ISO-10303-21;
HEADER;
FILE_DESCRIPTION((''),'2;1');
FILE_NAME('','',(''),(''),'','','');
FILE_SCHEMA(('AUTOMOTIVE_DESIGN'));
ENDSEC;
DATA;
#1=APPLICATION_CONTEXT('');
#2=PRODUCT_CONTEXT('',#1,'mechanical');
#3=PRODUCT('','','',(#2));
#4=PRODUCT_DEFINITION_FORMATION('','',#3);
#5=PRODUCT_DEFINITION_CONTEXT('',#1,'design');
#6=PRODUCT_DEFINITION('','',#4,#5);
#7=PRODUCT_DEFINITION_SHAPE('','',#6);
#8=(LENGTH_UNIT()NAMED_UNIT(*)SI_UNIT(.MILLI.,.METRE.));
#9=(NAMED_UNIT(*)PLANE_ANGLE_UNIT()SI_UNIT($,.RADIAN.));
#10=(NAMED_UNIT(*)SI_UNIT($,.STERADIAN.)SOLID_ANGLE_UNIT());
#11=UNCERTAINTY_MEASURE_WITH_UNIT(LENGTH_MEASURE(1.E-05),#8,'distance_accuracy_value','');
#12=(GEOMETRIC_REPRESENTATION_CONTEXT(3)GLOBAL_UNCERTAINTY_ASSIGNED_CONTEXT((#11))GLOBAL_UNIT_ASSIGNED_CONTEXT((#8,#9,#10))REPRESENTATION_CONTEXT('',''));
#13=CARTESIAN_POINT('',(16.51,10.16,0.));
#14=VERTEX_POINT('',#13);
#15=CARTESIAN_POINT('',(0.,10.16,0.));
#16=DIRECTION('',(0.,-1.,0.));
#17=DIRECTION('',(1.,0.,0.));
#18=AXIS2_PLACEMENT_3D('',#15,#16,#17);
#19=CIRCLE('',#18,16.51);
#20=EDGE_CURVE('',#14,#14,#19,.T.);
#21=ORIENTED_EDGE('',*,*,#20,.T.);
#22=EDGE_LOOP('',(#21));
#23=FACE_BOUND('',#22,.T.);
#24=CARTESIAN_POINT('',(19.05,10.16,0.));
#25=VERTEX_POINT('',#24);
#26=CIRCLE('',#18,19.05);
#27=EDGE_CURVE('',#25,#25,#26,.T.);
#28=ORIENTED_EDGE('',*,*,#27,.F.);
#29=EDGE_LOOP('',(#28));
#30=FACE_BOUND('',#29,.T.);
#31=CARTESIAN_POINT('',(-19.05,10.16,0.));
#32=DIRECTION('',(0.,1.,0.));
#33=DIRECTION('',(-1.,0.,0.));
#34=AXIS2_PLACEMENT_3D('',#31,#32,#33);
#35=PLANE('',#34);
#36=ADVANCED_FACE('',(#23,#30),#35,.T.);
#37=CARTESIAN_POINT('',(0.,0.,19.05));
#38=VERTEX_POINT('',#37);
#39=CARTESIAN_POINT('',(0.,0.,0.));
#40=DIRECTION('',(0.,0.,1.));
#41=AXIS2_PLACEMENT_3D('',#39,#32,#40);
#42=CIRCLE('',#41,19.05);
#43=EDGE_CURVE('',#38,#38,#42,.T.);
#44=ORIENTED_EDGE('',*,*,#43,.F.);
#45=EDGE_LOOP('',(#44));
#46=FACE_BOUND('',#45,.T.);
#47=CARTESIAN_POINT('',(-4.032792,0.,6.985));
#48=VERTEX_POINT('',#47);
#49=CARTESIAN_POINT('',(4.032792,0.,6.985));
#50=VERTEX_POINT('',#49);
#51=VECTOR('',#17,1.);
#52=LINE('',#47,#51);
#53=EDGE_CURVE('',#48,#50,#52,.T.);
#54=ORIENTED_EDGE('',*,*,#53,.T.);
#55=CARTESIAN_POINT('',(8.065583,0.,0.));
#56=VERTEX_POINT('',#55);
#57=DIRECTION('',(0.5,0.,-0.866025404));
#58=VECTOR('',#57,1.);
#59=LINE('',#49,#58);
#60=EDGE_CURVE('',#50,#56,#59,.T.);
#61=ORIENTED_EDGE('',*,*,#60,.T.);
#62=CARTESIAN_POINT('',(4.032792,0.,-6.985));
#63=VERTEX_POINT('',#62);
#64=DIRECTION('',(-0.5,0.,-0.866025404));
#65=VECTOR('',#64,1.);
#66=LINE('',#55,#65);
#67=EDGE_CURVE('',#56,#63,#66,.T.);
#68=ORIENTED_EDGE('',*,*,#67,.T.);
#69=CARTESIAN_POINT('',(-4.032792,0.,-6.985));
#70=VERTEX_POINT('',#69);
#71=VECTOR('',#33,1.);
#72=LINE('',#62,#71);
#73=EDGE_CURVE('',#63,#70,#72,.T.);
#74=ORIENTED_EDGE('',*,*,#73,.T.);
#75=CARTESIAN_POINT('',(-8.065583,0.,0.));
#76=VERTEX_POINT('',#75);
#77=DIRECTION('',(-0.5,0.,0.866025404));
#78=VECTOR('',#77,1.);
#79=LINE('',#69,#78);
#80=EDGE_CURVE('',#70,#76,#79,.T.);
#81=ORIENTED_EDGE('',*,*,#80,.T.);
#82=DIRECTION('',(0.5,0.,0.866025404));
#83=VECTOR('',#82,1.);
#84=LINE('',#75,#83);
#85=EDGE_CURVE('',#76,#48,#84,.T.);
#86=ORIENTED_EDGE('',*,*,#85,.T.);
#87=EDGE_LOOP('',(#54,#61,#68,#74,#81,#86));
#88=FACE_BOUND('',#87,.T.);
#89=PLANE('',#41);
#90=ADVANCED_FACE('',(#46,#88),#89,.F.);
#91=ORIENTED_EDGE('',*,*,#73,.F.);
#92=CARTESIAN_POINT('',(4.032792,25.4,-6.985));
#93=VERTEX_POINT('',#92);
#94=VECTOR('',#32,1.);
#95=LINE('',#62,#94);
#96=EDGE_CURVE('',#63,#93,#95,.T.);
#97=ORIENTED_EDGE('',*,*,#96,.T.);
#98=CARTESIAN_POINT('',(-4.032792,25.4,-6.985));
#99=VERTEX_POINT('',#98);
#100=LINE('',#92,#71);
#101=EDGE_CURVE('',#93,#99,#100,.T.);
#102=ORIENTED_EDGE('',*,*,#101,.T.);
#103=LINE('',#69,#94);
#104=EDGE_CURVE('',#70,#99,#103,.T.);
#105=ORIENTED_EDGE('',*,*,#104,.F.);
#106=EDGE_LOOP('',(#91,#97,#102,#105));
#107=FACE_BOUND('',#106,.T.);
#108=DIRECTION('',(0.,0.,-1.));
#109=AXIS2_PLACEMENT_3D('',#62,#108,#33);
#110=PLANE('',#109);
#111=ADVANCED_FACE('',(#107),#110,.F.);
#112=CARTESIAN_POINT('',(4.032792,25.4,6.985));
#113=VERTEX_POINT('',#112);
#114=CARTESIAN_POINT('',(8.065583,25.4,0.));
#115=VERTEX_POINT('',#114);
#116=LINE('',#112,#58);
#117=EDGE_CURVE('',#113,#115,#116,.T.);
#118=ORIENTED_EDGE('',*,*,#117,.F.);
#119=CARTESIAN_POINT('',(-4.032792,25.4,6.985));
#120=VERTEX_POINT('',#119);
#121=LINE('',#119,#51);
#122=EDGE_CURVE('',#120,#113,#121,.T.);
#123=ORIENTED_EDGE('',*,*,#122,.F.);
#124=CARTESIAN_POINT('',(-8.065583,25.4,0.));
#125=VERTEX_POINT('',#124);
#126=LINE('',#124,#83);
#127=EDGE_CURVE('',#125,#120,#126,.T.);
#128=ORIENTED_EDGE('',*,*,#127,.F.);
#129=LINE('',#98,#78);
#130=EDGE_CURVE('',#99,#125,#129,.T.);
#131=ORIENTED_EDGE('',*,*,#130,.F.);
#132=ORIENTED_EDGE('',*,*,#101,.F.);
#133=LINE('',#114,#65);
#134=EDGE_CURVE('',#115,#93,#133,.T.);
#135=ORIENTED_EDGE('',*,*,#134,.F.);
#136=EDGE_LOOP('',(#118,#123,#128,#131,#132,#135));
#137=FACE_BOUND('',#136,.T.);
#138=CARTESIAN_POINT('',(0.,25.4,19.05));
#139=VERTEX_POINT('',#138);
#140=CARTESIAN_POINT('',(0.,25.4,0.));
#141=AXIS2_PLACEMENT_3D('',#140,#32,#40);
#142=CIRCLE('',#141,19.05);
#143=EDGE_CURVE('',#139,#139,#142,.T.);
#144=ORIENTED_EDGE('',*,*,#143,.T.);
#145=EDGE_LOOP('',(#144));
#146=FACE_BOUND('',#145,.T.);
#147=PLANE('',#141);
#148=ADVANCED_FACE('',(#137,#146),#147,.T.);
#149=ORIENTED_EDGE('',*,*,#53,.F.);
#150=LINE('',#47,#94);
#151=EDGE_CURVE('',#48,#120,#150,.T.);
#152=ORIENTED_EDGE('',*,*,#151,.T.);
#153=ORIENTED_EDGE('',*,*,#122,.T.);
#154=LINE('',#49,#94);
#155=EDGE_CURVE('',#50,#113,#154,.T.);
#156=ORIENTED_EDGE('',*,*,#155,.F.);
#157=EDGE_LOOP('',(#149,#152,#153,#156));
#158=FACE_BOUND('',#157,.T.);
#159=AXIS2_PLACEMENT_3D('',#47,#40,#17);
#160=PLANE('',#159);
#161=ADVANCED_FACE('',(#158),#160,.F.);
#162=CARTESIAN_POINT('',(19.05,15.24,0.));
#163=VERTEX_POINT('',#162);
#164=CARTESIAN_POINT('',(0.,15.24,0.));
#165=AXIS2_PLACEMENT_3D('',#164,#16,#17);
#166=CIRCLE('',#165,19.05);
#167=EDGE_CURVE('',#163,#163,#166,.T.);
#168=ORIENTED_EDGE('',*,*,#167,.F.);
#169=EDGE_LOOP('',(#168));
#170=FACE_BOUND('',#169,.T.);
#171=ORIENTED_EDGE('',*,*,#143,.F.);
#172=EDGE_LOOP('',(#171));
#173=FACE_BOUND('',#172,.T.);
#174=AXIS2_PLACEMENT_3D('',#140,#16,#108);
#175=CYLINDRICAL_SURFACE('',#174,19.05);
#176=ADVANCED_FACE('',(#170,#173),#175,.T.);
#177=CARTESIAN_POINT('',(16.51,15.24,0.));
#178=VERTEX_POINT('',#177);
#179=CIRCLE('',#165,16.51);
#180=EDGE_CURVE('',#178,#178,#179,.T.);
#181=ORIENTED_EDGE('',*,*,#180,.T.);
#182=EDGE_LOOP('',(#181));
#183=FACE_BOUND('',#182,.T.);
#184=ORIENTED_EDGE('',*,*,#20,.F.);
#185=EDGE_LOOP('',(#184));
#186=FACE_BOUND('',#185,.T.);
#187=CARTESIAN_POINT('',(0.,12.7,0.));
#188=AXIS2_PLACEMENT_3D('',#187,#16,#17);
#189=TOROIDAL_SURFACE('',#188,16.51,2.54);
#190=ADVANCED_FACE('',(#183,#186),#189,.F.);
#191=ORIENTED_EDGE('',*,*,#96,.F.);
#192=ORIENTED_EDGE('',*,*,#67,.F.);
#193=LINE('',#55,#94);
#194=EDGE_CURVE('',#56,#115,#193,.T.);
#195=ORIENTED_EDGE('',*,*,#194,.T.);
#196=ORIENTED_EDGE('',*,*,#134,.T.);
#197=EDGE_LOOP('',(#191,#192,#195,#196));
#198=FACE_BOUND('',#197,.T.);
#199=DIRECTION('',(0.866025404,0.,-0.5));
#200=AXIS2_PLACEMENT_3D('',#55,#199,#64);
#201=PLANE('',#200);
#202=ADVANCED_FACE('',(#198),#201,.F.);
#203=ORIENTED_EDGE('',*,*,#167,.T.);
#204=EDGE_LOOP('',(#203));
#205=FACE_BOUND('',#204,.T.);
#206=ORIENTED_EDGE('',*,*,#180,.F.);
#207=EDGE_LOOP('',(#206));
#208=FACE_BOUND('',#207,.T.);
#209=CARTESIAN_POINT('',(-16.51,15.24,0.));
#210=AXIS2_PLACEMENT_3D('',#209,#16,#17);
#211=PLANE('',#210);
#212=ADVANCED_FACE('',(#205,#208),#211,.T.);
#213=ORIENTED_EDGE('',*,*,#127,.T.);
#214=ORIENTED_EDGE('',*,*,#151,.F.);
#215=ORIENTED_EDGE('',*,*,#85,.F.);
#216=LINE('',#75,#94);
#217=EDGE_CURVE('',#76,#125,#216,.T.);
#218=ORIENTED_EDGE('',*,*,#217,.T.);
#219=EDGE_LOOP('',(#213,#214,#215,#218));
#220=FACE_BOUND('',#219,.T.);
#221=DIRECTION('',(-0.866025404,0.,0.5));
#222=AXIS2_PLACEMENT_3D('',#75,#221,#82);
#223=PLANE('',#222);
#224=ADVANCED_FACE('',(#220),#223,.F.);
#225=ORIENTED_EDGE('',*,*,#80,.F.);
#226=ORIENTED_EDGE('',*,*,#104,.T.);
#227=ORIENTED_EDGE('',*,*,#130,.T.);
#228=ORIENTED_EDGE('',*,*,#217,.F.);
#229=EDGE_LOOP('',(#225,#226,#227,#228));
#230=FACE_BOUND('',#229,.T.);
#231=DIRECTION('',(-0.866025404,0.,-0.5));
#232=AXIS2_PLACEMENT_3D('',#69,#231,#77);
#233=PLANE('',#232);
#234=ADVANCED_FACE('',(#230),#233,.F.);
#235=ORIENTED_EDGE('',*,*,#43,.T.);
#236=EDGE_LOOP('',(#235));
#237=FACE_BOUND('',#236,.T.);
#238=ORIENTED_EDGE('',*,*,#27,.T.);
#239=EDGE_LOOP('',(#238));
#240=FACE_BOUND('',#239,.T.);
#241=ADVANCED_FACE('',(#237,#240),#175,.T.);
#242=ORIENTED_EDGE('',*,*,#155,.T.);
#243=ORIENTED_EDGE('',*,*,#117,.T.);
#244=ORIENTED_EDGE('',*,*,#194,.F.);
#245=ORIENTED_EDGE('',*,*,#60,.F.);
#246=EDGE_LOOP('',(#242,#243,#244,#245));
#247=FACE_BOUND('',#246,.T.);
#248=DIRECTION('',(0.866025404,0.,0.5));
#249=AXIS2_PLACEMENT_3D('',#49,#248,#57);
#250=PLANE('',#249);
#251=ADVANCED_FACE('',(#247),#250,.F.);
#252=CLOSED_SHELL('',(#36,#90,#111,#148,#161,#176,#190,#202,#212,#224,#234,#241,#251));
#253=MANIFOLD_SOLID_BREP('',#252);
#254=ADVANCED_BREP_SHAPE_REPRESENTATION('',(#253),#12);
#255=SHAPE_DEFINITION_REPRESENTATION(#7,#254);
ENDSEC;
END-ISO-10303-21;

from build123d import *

# Parameters (mm, degrees)
SKETCH2_R           = 19.05
BOSS_EXTRUDE1_DEPTH = 25.4
CUT_EXTRUDE1_DEPTH  = 38.026544532


with BuildPart() as part:
    # Sketch2 → Boss-Extrude1 (new body)
    with BuildSketch(Plane(origin=(0, 0, 0), x_dir=(1, 0, 0), z_dir=(0, 1, 0))):
        with Locations(Location((0, 0, 0), (0, 0, 270))):
            Circle(SKETCH2_R)
    extrude(amount=BOSS_EXTRUDE1_DEPTH)

    # Sketch4 → Cut-Revolve2 (revolve, cut)
    with BuildSketch(Plane.XY, mode=Mode.PRIVATE) as cut_revolve2_sk:
        with BuildLine():
            Line((-16.51, 15.24), (-19.05, 15.24))
            Line((-19.05, 15.24), (-19.05, 10.16))
            Line((-19.05, 10.16), (-16.51, 10.16))
            ThreePointArc((-16.51, 10.16), (-13.97, 12.7), (-16.51, 15.24))
        make_face()
    revolve(cut_revolve2_sk.sketch.rotate(Axis((0, 0, 0), (0, 1, 0)), 180), axis=Axis((0, 0, 0), (0, 1, 0)), mode=Mode.SUBTRACT)

    # Sketch7 → Cut-Extrude1 (cut, through all)
    with BuildSketch(Plane(origin=(0, 25.4, 0), x_dir=(1, 0, 0), z_dir=(0, 1, 0))):
        Polygon((8.065583261, 0), (4.03279163, 6.985), (-4.03279163, 6.985), (-8.065583261, 0), (-4.03279163, -6.985), (4.03279163, -6.985), align=None)
    extrude(amount=-CUT_EXTRUDE1_DEPTH, mode=Mode.SUBTRACT)


solid = part.part
